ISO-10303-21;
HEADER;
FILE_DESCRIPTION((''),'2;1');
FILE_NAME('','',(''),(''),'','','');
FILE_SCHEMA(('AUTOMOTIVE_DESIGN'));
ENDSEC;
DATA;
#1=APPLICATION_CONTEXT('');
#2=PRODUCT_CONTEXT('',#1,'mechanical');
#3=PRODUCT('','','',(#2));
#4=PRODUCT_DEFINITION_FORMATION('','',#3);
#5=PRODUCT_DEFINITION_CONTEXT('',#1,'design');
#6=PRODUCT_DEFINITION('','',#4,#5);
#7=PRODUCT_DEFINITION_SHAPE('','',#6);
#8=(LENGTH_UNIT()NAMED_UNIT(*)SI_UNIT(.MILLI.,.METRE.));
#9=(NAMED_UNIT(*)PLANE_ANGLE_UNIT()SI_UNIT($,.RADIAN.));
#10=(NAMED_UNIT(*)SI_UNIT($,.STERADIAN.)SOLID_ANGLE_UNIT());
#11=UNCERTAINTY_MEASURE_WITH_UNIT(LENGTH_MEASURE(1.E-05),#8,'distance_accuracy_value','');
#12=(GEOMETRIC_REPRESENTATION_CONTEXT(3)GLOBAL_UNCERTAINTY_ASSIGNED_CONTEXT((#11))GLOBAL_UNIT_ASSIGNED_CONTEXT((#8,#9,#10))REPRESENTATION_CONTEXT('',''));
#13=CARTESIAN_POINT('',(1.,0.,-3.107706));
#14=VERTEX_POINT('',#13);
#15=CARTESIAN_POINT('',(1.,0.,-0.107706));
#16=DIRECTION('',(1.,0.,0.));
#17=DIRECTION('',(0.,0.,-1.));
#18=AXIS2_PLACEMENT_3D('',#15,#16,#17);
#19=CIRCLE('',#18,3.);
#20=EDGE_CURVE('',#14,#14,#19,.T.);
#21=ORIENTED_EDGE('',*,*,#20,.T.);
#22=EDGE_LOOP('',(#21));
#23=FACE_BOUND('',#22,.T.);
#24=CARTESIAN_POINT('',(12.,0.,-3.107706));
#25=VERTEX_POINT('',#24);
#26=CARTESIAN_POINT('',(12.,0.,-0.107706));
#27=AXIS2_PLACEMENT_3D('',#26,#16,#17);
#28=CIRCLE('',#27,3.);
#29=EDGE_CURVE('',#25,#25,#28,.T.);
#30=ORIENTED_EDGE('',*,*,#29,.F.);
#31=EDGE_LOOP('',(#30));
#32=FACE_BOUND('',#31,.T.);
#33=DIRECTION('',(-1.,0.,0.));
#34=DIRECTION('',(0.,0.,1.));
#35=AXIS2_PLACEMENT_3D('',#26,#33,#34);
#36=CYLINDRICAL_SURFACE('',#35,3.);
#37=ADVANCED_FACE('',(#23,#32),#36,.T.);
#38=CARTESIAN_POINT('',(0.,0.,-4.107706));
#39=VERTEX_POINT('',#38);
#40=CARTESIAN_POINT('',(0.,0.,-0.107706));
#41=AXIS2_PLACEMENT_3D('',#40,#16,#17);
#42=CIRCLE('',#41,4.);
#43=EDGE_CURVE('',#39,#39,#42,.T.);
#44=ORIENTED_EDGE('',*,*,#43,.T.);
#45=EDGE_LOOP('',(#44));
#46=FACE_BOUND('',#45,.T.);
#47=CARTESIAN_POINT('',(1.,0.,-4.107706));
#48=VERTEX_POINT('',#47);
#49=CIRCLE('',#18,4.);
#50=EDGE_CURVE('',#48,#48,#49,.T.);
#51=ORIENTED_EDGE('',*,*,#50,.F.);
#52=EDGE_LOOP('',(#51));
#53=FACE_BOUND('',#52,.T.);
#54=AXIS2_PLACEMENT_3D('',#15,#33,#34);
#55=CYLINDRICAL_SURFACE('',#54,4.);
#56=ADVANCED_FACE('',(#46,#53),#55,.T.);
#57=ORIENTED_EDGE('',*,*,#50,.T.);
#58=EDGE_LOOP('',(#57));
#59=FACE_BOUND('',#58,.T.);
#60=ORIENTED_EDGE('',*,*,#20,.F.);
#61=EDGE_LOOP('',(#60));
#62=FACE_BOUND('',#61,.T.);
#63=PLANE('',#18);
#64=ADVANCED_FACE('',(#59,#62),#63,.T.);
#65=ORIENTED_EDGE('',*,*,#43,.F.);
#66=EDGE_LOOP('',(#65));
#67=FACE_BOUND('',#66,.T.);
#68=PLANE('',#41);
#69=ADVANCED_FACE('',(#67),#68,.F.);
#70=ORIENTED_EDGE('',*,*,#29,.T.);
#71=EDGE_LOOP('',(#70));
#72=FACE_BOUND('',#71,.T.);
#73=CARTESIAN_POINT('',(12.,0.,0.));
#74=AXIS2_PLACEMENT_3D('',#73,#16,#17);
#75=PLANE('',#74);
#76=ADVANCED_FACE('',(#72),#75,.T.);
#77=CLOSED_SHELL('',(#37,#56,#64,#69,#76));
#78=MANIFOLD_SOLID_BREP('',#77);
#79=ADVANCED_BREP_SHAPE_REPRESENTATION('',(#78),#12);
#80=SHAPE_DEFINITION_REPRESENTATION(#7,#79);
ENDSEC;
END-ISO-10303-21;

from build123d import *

# Parameters (mm, degrees)
SKETCH1_R           = 4
SKETCH1_R_2         = 3
BOSS_EXTRUDE1_DEPTH = 1
SKETCH1_2_R         = 3
BOSS_EXTRUDE2_DEPTH = 12


with BuildPart() as part:
    # Sketch1 → Boss-Extrude1 (new body)
    with BuildSketch(Plane(origin=(0, 0, 0), x_dir=(0, 0, -1), z_dir=(1, 0, 0))):
        with Locations((0.107705652, 0)):
            Circle(SKETCH1_R)
        with Locations((0.107705652, 0)):
            Circle(SKETCH1_R_2, mode=Mode.SUBTRACT)
    extrude(amount=BOSS_EXTRUDE1_DEPTH)

    # Sketch1<2> → Boss-Extrude2 (add)
    with BuildSketch(Plane(origin=(0, 0, 0), x_dir=(0, 0, -1), z_dir=(1, 0, 0))):
        with Locations((0.107705652, 0)):
            Circle(SKETCH1_2_R)
    extrude(amount=BOSS_EXTRUDE2_DEPTH)


solid = part.part
